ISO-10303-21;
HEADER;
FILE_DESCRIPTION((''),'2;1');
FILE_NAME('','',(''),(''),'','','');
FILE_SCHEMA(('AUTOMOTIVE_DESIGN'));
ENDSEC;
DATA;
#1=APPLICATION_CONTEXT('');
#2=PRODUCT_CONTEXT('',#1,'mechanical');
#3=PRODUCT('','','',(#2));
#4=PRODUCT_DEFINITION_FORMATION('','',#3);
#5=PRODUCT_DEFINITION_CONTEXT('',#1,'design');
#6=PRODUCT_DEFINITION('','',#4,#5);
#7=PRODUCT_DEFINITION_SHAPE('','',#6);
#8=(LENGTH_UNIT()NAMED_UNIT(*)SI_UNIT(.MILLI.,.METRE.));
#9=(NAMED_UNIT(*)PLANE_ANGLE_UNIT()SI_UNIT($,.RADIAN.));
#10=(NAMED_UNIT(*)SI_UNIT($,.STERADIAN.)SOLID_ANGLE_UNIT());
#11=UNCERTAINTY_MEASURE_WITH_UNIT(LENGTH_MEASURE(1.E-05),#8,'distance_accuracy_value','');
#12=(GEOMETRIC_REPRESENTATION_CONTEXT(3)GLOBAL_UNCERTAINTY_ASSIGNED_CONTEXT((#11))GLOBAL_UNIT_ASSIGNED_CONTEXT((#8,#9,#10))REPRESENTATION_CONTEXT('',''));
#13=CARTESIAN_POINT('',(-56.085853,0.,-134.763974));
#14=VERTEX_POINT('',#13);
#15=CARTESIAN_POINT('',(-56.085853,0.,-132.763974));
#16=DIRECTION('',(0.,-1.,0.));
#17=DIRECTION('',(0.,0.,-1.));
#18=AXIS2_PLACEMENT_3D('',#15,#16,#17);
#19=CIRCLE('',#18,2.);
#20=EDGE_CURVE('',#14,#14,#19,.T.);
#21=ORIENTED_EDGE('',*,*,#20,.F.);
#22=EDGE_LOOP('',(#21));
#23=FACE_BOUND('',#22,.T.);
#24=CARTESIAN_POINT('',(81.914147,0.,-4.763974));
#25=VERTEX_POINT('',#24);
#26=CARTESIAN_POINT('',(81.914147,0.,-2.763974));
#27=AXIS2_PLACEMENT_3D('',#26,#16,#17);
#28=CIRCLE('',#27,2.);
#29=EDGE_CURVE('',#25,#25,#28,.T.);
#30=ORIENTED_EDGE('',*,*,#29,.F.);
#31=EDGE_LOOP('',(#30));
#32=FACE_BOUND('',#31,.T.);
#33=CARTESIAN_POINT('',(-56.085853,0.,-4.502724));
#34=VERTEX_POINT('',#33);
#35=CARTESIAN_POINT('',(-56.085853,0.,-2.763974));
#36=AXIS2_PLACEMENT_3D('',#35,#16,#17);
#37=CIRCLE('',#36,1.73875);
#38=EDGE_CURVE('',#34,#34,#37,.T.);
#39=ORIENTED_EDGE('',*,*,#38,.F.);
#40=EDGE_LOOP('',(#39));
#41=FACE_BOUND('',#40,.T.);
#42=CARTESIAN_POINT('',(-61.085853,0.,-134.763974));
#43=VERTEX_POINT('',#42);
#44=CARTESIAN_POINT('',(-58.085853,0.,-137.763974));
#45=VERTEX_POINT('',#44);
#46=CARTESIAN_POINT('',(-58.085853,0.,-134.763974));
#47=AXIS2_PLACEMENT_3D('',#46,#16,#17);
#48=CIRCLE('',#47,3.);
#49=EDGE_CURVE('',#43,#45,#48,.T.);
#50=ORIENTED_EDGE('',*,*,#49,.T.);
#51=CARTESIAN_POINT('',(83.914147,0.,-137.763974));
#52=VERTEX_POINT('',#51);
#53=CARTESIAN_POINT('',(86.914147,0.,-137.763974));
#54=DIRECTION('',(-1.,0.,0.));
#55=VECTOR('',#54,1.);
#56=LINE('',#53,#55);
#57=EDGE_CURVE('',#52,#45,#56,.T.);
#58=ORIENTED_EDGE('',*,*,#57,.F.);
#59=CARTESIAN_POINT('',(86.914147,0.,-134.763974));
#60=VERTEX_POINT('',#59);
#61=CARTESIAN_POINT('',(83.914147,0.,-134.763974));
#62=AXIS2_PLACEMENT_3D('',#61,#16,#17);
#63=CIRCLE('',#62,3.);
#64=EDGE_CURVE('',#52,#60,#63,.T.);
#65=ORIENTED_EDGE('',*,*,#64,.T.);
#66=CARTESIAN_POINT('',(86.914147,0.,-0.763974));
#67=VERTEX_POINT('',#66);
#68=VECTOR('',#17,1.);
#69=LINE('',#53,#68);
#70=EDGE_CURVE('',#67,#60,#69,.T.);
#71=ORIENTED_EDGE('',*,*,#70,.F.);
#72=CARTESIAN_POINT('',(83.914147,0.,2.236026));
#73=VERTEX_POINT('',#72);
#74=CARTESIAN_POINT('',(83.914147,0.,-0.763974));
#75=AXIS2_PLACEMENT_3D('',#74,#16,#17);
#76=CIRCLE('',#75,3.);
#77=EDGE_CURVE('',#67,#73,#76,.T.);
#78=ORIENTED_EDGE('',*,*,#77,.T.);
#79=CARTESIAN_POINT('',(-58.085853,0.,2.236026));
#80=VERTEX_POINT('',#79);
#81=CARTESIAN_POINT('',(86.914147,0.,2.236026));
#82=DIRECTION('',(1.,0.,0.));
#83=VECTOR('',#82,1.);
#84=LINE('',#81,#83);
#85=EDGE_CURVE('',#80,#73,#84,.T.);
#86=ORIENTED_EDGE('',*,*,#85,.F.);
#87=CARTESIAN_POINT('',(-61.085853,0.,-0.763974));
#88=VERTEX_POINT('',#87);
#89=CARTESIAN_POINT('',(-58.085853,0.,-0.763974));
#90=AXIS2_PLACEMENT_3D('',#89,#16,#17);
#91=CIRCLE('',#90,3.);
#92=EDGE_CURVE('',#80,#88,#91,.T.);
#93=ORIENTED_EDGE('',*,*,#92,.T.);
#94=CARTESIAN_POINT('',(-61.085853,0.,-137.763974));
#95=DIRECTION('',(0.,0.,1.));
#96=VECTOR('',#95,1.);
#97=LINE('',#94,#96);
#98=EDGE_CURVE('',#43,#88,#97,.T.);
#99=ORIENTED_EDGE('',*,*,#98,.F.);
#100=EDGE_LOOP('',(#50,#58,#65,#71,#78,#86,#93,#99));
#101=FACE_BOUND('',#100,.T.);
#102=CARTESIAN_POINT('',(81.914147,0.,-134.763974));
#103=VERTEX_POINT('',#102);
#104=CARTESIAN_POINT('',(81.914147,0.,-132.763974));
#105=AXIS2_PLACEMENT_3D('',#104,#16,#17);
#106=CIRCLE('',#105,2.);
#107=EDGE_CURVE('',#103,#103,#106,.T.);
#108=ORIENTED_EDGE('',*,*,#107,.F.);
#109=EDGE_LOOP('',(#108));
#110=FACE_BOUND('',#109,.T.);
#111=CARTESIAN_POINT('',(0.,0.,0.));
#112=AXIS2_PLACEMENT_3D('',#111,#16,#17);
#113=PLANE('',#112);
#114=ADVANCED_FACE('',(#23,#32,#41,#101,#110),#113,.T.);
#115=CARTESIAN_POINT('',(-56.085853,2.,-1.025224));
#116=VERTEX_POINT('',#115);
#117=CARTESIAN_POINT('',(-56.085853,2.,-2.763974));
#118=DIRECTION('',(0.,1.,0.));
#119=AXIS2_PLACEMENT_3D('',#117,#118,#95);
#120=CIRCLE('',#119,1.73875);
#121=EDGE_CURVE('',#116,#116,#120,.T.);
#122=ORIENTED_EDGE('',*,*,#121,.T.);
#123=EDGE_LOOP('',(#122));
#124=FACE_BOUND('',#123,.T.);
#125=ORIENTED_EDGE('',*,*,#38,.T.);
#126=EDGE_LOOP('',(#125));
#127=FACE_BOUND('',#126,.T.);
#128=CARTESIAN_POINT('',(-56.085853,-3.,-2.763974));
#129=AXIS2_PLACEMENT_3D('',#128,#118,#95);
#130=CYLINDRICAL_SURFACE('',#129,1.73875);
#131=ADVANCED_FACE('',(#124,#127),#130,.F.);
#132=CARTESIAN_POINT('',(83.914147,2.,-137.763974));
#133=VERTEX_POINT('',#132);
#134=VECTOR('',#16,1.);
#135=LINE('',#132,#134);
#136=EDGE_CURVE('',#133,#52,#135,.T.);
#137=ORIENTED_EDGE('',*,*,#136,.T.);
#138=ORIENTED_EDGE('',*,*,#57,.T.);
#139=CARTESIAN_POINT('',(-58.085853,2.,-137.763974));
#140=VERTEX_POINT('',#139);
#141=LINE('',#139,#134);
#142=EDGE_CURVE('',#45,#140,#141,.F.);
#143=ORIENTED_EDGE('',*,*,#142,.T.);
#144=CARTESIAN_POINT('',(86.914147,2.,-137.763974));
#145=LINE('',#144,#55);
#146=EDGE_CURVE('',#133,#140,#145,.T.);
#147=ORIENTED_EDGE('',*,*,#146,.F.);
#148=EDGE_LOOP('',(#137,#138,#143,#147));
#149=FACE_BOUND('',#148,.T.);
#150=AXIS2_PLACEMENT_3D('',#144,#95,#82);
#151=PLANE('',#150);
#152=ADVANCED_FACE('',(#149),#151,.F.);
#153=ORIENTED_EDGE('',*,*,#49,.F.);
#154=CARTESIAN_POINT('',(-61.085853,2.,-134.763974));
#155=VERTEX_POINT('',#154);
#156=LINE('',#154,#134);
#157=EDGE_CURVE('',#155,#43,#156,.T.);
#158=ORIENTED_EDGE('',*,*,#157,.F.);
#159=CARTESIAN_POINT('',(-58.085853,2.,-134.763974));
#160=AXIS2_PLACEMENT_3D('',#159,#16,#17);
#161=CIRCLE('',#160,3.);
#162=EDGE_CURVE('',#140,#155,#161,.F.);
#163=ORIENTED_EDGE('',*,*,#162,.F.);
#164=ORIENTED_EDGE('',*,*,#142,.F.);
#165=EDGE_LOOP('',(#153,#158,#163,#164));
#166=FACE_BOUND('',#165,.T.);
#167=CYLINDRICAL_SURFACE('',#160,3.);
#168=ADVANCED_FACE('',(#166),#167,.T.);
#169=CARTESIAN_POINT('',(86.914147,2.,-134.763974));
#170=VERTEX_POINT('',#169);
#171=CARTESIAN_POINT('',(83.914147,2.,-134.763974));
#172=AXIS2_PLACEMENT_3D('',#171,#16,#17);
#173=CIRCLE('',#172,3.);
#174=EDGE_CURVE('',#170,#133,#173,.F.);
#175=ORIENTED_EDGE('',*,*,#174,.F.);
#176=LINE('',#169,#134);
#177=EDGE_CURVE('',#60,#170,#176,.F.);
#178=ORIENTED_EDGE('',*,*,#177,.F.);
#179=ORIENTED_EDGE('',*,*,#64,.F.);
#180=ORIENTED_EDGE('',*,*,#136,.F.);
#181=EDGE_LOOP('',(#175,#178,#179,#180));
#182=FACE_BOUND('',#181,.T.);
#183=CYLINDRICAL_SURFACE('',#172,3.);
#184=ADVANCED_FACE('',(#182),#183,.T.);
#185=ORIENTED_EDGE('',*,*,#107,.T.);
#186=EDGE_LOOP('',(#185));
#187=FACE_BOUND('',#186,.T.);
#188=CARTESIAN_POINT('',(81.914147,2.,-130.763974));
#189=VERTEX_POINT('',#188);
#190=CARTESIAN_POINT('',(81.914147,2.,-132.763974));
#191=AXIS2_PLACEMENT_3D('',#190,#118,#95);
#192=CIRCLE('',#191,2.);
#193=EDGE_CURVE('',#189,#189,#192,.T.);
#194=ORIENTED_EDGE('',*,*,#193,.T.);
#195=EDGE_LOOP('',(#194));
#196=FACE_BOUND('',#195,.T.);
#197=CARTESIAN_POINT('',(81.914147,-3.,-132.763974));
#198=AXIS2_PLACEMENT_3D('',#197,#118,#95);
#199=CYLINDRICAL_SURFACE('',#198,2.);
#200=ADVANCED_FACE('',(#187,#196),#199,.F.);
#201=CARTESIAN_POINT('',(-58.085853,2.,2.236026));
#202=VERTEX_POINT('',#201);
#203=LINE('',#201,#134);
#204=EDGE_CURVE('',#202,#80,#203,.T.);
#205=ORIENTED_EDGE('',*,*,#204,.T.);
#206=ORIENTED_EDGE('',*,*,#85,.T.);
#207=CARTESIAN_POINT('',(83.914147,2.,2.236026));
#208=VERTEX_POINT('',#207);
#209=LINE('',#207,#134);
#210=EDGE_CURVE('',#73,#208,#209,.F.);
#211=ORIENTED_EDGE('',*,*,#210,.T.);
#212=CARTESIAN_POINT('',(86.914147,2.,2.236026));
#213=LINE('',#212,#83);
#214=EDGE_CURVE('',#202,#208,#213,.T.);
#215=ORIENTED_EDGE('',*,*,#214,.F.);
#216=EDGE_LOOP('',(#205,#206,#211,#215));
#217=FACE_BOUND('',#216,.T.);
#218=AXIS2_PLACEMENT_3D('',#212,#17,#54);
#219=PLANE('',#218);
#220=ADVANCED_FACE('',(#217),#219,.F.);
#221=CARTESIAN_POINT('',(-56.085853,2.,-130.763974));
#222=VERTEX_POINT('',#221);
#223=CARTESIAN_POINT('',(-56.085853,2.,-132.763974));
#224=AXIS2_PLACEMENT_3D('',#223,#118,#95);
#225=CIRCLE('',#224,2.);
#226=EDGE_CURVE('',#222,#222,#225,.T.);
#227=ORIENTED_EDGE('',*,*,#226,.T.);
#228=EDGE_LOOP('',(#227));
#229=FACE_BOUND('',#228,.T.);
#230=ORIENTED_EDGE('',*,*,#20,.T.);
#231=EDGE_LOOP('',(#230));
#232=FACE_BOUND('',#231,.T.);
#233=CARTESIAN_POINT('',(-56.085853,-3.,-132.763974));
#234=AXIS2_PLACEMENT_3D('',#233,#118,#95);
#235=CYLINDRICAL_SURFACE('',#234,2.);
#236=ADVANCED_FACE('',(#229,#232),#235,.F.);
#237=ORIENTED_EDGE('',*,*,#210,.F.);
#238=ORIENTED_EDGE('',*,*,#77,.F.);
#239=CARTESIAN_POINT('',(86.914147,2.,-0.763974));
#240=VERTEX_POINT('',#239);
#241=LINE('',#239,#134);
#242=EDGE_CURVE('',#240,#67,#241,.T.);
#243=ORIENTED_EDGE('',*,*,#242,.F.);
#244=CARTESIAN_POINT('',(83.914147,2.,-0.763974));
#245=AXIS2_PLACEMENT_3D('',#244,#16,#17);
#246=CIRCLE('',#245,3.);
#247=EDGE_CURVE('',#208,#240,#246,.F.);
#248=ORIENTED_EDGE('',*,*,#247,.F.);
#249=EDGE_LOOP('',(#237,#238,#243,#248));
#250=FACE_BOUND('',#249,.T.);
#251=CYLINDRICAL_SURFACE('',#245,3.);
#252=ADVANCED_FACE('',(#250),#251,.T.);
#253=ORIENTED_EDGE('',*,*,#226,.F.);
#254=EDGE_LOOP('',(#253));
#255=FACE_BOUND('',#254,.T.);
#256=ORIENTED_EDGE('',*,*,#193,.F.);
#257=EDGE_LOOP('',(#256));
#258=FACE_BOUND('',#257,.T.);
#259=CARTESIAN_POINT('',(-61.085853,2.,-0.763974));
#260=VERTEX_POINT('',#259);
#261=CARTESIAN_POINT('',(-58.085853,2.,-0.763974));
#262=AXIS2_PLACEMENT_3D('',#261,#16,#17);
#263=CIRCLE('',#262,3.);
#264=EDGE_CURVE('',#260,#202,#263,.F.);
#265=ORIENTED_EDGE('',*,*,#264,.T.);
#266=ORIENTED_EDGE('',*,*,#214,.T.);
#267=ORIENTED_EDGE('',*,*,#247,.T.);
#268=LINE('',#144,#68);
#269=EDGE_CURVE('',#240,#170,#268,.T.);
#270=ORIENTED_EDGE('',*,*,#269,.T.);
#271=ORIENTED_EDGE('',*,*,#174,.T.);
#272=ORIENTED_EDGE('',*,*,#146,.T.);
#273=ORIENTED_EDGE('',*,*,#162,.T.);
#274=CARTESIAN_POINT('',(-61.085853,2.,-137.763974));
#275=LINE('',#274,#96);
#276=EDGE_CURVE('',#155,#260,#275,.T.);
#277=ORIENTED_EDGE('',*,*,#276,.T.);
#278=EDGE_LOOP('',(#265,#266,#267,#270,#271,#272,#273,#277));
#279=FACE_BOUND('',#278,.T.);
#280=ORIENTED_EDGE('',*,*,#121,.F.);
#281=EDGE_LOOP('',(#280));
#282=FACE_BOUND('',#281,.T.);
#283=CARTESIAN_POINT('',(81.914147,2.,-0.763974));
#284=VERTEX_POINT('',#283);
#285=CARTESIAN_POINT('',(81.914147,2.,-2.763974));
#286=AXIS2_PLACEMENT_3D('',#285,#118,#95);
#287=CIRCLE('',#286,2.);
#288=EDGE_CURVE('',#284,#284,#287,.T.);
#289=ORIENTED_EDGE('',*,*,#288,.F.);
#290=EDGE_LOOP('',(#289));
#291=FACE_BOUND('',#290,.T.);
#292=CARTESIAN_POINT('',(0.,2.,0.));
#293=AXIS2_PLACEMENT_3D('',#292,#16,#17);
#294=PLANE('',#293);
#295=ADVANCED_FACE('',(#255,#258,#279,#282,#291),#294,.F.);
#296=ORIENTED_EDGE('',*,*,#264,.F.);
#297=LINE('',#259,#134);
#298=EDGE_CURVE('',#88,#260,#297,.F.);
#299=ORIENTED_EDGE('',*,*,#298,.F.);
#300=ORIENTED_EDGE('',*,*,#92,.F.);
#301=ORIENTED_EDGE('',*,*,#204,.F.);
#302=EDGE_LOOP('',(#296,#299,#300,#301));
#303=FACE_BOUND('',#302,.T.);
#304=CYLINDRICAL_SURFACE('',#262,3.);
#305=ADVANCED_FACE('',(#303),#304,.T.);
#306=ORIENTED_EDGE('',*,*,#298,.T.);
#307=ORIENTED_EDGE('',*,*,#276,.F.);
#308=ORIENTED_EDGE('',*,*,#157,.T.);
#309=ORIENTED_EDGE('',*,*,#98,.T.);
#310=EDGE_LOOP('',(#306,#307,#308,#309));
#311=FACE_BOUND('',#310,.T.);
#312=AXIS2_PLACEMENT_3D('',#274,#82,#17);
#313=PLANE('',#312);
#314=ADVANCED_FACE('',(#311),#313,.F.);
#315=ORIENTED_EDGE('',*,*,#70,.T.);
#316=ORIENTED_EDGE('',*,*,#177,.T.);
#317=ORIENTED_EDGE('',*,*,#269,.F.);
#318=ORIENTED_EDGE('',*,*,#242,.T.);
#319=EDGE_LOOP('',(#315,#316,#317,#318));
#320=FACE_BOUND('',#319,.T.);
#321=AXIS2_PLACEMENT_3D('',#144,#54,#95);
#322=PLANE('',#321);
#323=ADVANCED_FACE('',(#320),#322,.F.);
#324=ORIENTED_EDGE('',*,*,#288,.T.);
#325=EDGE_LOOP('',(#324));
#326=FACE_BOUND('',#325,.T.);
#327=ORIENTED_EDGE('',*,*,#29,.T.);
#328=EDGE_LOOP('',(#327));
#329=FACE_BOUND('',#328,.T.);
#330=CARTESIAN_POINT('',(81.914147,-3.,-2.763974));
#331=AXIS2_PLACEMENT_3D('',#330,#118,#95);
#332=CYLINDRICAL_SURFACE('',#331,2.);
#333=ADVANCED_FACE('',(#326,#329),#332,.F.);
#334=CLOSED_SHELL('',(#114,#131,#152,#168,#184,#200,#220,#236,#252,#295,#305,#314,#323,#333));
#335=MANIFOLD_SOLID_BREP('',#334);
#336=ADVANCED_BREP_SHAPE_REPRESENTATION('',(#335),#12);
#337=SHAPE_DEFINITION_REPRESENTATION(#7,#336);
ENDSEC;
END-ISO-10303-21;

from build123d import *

# Parameters (mm, degrees)
SKETCH1_W           = 148
SKETCH1_H           = 140
BOSS_EXTRUDE1_DEPTH = 2
SKETCH2_R           = 2
SKETCH2_R_2         = 1.73874997
CUT_EXTRUDE1_DEPTH  = 5
FILLET1_R           = 3
FILLET2_R           = 3
FILLET3_R           = 3
FILLET4_R           = 3


with BuildPart() as part:
    # Sketch1 → Boss-Extrude1 (new body)
    with BuildSketch(Plane(origin=(0, 0, 0), x_dir=(1, 0, 0), z_dir=(0, 1, 0))):
        with Locations((12.91414701, 67.76397383)):
            Rectangle(SKETCH1_W, SKETCH1_H)
    extrude(amount=BOSS_EXTRUDE1_DEPTH)

    # Sketch2 → Cut-Extrude1 (cut)
    with BuildSketch(Plane(origin=(0, 2, 0), x_dir=(1, 0, 0), z_dir=(0, 1, 0))):
        with Locations(Location((-56.08585299, 132.76397383, 0), (0, 0, 270))):
            Circle(SKETCH2_R)
        with Locations(Location((81.91414701, 132.76397383, 0), (0, 0, 270))):
            Circle(SKETCH2_R)
        with Locations(Location((81.91414701, 2.76397383, 0), (0, 0, 270))):
            Circle(SKETCH2_R)
        with Locations(Location((-56.08585299, 2.76397383, 0), (0, 0, 270))):
            Circle(SKETCH2_R_2)
    extrude(amount=-CUT_EXTRUDE1_DEPTH, mode=Mode.SUBTRACT)

    # Fillet1
    fillet1_edges = [part.edges().sort_by_distance(p)[0] for p in [
        (86.91414701, 1, 2.23602617),
    ]]
    fillet(fillet1_edges, radius=FILLET1_R)

    # Fillet2
    fillet2_edges = [part.edges().sort_by_distance(p)[0] for p in [
        (86.91414701, 1, -137.76397383),
    ]]
    fillet(fillet2_edges, radius=FILLET2_R)

    # Fillet3
    fillet3_edges = [part.edges().sort_by_distance(p)[0] for p in [
        (-61.08585299, 1, -137.76397383),
    ]]
    fillet(fillet3_edges, radius=FILLET3_R)

    # Fillet4
    fillet4_edges = [part.edges().sort_by_distance(p)[0] for p in [
        (-61.08585299, 1, 2.23602617),
    ]]
    fillet(fillet4_edges, radius=FILLET4_R)


solid = part.part
